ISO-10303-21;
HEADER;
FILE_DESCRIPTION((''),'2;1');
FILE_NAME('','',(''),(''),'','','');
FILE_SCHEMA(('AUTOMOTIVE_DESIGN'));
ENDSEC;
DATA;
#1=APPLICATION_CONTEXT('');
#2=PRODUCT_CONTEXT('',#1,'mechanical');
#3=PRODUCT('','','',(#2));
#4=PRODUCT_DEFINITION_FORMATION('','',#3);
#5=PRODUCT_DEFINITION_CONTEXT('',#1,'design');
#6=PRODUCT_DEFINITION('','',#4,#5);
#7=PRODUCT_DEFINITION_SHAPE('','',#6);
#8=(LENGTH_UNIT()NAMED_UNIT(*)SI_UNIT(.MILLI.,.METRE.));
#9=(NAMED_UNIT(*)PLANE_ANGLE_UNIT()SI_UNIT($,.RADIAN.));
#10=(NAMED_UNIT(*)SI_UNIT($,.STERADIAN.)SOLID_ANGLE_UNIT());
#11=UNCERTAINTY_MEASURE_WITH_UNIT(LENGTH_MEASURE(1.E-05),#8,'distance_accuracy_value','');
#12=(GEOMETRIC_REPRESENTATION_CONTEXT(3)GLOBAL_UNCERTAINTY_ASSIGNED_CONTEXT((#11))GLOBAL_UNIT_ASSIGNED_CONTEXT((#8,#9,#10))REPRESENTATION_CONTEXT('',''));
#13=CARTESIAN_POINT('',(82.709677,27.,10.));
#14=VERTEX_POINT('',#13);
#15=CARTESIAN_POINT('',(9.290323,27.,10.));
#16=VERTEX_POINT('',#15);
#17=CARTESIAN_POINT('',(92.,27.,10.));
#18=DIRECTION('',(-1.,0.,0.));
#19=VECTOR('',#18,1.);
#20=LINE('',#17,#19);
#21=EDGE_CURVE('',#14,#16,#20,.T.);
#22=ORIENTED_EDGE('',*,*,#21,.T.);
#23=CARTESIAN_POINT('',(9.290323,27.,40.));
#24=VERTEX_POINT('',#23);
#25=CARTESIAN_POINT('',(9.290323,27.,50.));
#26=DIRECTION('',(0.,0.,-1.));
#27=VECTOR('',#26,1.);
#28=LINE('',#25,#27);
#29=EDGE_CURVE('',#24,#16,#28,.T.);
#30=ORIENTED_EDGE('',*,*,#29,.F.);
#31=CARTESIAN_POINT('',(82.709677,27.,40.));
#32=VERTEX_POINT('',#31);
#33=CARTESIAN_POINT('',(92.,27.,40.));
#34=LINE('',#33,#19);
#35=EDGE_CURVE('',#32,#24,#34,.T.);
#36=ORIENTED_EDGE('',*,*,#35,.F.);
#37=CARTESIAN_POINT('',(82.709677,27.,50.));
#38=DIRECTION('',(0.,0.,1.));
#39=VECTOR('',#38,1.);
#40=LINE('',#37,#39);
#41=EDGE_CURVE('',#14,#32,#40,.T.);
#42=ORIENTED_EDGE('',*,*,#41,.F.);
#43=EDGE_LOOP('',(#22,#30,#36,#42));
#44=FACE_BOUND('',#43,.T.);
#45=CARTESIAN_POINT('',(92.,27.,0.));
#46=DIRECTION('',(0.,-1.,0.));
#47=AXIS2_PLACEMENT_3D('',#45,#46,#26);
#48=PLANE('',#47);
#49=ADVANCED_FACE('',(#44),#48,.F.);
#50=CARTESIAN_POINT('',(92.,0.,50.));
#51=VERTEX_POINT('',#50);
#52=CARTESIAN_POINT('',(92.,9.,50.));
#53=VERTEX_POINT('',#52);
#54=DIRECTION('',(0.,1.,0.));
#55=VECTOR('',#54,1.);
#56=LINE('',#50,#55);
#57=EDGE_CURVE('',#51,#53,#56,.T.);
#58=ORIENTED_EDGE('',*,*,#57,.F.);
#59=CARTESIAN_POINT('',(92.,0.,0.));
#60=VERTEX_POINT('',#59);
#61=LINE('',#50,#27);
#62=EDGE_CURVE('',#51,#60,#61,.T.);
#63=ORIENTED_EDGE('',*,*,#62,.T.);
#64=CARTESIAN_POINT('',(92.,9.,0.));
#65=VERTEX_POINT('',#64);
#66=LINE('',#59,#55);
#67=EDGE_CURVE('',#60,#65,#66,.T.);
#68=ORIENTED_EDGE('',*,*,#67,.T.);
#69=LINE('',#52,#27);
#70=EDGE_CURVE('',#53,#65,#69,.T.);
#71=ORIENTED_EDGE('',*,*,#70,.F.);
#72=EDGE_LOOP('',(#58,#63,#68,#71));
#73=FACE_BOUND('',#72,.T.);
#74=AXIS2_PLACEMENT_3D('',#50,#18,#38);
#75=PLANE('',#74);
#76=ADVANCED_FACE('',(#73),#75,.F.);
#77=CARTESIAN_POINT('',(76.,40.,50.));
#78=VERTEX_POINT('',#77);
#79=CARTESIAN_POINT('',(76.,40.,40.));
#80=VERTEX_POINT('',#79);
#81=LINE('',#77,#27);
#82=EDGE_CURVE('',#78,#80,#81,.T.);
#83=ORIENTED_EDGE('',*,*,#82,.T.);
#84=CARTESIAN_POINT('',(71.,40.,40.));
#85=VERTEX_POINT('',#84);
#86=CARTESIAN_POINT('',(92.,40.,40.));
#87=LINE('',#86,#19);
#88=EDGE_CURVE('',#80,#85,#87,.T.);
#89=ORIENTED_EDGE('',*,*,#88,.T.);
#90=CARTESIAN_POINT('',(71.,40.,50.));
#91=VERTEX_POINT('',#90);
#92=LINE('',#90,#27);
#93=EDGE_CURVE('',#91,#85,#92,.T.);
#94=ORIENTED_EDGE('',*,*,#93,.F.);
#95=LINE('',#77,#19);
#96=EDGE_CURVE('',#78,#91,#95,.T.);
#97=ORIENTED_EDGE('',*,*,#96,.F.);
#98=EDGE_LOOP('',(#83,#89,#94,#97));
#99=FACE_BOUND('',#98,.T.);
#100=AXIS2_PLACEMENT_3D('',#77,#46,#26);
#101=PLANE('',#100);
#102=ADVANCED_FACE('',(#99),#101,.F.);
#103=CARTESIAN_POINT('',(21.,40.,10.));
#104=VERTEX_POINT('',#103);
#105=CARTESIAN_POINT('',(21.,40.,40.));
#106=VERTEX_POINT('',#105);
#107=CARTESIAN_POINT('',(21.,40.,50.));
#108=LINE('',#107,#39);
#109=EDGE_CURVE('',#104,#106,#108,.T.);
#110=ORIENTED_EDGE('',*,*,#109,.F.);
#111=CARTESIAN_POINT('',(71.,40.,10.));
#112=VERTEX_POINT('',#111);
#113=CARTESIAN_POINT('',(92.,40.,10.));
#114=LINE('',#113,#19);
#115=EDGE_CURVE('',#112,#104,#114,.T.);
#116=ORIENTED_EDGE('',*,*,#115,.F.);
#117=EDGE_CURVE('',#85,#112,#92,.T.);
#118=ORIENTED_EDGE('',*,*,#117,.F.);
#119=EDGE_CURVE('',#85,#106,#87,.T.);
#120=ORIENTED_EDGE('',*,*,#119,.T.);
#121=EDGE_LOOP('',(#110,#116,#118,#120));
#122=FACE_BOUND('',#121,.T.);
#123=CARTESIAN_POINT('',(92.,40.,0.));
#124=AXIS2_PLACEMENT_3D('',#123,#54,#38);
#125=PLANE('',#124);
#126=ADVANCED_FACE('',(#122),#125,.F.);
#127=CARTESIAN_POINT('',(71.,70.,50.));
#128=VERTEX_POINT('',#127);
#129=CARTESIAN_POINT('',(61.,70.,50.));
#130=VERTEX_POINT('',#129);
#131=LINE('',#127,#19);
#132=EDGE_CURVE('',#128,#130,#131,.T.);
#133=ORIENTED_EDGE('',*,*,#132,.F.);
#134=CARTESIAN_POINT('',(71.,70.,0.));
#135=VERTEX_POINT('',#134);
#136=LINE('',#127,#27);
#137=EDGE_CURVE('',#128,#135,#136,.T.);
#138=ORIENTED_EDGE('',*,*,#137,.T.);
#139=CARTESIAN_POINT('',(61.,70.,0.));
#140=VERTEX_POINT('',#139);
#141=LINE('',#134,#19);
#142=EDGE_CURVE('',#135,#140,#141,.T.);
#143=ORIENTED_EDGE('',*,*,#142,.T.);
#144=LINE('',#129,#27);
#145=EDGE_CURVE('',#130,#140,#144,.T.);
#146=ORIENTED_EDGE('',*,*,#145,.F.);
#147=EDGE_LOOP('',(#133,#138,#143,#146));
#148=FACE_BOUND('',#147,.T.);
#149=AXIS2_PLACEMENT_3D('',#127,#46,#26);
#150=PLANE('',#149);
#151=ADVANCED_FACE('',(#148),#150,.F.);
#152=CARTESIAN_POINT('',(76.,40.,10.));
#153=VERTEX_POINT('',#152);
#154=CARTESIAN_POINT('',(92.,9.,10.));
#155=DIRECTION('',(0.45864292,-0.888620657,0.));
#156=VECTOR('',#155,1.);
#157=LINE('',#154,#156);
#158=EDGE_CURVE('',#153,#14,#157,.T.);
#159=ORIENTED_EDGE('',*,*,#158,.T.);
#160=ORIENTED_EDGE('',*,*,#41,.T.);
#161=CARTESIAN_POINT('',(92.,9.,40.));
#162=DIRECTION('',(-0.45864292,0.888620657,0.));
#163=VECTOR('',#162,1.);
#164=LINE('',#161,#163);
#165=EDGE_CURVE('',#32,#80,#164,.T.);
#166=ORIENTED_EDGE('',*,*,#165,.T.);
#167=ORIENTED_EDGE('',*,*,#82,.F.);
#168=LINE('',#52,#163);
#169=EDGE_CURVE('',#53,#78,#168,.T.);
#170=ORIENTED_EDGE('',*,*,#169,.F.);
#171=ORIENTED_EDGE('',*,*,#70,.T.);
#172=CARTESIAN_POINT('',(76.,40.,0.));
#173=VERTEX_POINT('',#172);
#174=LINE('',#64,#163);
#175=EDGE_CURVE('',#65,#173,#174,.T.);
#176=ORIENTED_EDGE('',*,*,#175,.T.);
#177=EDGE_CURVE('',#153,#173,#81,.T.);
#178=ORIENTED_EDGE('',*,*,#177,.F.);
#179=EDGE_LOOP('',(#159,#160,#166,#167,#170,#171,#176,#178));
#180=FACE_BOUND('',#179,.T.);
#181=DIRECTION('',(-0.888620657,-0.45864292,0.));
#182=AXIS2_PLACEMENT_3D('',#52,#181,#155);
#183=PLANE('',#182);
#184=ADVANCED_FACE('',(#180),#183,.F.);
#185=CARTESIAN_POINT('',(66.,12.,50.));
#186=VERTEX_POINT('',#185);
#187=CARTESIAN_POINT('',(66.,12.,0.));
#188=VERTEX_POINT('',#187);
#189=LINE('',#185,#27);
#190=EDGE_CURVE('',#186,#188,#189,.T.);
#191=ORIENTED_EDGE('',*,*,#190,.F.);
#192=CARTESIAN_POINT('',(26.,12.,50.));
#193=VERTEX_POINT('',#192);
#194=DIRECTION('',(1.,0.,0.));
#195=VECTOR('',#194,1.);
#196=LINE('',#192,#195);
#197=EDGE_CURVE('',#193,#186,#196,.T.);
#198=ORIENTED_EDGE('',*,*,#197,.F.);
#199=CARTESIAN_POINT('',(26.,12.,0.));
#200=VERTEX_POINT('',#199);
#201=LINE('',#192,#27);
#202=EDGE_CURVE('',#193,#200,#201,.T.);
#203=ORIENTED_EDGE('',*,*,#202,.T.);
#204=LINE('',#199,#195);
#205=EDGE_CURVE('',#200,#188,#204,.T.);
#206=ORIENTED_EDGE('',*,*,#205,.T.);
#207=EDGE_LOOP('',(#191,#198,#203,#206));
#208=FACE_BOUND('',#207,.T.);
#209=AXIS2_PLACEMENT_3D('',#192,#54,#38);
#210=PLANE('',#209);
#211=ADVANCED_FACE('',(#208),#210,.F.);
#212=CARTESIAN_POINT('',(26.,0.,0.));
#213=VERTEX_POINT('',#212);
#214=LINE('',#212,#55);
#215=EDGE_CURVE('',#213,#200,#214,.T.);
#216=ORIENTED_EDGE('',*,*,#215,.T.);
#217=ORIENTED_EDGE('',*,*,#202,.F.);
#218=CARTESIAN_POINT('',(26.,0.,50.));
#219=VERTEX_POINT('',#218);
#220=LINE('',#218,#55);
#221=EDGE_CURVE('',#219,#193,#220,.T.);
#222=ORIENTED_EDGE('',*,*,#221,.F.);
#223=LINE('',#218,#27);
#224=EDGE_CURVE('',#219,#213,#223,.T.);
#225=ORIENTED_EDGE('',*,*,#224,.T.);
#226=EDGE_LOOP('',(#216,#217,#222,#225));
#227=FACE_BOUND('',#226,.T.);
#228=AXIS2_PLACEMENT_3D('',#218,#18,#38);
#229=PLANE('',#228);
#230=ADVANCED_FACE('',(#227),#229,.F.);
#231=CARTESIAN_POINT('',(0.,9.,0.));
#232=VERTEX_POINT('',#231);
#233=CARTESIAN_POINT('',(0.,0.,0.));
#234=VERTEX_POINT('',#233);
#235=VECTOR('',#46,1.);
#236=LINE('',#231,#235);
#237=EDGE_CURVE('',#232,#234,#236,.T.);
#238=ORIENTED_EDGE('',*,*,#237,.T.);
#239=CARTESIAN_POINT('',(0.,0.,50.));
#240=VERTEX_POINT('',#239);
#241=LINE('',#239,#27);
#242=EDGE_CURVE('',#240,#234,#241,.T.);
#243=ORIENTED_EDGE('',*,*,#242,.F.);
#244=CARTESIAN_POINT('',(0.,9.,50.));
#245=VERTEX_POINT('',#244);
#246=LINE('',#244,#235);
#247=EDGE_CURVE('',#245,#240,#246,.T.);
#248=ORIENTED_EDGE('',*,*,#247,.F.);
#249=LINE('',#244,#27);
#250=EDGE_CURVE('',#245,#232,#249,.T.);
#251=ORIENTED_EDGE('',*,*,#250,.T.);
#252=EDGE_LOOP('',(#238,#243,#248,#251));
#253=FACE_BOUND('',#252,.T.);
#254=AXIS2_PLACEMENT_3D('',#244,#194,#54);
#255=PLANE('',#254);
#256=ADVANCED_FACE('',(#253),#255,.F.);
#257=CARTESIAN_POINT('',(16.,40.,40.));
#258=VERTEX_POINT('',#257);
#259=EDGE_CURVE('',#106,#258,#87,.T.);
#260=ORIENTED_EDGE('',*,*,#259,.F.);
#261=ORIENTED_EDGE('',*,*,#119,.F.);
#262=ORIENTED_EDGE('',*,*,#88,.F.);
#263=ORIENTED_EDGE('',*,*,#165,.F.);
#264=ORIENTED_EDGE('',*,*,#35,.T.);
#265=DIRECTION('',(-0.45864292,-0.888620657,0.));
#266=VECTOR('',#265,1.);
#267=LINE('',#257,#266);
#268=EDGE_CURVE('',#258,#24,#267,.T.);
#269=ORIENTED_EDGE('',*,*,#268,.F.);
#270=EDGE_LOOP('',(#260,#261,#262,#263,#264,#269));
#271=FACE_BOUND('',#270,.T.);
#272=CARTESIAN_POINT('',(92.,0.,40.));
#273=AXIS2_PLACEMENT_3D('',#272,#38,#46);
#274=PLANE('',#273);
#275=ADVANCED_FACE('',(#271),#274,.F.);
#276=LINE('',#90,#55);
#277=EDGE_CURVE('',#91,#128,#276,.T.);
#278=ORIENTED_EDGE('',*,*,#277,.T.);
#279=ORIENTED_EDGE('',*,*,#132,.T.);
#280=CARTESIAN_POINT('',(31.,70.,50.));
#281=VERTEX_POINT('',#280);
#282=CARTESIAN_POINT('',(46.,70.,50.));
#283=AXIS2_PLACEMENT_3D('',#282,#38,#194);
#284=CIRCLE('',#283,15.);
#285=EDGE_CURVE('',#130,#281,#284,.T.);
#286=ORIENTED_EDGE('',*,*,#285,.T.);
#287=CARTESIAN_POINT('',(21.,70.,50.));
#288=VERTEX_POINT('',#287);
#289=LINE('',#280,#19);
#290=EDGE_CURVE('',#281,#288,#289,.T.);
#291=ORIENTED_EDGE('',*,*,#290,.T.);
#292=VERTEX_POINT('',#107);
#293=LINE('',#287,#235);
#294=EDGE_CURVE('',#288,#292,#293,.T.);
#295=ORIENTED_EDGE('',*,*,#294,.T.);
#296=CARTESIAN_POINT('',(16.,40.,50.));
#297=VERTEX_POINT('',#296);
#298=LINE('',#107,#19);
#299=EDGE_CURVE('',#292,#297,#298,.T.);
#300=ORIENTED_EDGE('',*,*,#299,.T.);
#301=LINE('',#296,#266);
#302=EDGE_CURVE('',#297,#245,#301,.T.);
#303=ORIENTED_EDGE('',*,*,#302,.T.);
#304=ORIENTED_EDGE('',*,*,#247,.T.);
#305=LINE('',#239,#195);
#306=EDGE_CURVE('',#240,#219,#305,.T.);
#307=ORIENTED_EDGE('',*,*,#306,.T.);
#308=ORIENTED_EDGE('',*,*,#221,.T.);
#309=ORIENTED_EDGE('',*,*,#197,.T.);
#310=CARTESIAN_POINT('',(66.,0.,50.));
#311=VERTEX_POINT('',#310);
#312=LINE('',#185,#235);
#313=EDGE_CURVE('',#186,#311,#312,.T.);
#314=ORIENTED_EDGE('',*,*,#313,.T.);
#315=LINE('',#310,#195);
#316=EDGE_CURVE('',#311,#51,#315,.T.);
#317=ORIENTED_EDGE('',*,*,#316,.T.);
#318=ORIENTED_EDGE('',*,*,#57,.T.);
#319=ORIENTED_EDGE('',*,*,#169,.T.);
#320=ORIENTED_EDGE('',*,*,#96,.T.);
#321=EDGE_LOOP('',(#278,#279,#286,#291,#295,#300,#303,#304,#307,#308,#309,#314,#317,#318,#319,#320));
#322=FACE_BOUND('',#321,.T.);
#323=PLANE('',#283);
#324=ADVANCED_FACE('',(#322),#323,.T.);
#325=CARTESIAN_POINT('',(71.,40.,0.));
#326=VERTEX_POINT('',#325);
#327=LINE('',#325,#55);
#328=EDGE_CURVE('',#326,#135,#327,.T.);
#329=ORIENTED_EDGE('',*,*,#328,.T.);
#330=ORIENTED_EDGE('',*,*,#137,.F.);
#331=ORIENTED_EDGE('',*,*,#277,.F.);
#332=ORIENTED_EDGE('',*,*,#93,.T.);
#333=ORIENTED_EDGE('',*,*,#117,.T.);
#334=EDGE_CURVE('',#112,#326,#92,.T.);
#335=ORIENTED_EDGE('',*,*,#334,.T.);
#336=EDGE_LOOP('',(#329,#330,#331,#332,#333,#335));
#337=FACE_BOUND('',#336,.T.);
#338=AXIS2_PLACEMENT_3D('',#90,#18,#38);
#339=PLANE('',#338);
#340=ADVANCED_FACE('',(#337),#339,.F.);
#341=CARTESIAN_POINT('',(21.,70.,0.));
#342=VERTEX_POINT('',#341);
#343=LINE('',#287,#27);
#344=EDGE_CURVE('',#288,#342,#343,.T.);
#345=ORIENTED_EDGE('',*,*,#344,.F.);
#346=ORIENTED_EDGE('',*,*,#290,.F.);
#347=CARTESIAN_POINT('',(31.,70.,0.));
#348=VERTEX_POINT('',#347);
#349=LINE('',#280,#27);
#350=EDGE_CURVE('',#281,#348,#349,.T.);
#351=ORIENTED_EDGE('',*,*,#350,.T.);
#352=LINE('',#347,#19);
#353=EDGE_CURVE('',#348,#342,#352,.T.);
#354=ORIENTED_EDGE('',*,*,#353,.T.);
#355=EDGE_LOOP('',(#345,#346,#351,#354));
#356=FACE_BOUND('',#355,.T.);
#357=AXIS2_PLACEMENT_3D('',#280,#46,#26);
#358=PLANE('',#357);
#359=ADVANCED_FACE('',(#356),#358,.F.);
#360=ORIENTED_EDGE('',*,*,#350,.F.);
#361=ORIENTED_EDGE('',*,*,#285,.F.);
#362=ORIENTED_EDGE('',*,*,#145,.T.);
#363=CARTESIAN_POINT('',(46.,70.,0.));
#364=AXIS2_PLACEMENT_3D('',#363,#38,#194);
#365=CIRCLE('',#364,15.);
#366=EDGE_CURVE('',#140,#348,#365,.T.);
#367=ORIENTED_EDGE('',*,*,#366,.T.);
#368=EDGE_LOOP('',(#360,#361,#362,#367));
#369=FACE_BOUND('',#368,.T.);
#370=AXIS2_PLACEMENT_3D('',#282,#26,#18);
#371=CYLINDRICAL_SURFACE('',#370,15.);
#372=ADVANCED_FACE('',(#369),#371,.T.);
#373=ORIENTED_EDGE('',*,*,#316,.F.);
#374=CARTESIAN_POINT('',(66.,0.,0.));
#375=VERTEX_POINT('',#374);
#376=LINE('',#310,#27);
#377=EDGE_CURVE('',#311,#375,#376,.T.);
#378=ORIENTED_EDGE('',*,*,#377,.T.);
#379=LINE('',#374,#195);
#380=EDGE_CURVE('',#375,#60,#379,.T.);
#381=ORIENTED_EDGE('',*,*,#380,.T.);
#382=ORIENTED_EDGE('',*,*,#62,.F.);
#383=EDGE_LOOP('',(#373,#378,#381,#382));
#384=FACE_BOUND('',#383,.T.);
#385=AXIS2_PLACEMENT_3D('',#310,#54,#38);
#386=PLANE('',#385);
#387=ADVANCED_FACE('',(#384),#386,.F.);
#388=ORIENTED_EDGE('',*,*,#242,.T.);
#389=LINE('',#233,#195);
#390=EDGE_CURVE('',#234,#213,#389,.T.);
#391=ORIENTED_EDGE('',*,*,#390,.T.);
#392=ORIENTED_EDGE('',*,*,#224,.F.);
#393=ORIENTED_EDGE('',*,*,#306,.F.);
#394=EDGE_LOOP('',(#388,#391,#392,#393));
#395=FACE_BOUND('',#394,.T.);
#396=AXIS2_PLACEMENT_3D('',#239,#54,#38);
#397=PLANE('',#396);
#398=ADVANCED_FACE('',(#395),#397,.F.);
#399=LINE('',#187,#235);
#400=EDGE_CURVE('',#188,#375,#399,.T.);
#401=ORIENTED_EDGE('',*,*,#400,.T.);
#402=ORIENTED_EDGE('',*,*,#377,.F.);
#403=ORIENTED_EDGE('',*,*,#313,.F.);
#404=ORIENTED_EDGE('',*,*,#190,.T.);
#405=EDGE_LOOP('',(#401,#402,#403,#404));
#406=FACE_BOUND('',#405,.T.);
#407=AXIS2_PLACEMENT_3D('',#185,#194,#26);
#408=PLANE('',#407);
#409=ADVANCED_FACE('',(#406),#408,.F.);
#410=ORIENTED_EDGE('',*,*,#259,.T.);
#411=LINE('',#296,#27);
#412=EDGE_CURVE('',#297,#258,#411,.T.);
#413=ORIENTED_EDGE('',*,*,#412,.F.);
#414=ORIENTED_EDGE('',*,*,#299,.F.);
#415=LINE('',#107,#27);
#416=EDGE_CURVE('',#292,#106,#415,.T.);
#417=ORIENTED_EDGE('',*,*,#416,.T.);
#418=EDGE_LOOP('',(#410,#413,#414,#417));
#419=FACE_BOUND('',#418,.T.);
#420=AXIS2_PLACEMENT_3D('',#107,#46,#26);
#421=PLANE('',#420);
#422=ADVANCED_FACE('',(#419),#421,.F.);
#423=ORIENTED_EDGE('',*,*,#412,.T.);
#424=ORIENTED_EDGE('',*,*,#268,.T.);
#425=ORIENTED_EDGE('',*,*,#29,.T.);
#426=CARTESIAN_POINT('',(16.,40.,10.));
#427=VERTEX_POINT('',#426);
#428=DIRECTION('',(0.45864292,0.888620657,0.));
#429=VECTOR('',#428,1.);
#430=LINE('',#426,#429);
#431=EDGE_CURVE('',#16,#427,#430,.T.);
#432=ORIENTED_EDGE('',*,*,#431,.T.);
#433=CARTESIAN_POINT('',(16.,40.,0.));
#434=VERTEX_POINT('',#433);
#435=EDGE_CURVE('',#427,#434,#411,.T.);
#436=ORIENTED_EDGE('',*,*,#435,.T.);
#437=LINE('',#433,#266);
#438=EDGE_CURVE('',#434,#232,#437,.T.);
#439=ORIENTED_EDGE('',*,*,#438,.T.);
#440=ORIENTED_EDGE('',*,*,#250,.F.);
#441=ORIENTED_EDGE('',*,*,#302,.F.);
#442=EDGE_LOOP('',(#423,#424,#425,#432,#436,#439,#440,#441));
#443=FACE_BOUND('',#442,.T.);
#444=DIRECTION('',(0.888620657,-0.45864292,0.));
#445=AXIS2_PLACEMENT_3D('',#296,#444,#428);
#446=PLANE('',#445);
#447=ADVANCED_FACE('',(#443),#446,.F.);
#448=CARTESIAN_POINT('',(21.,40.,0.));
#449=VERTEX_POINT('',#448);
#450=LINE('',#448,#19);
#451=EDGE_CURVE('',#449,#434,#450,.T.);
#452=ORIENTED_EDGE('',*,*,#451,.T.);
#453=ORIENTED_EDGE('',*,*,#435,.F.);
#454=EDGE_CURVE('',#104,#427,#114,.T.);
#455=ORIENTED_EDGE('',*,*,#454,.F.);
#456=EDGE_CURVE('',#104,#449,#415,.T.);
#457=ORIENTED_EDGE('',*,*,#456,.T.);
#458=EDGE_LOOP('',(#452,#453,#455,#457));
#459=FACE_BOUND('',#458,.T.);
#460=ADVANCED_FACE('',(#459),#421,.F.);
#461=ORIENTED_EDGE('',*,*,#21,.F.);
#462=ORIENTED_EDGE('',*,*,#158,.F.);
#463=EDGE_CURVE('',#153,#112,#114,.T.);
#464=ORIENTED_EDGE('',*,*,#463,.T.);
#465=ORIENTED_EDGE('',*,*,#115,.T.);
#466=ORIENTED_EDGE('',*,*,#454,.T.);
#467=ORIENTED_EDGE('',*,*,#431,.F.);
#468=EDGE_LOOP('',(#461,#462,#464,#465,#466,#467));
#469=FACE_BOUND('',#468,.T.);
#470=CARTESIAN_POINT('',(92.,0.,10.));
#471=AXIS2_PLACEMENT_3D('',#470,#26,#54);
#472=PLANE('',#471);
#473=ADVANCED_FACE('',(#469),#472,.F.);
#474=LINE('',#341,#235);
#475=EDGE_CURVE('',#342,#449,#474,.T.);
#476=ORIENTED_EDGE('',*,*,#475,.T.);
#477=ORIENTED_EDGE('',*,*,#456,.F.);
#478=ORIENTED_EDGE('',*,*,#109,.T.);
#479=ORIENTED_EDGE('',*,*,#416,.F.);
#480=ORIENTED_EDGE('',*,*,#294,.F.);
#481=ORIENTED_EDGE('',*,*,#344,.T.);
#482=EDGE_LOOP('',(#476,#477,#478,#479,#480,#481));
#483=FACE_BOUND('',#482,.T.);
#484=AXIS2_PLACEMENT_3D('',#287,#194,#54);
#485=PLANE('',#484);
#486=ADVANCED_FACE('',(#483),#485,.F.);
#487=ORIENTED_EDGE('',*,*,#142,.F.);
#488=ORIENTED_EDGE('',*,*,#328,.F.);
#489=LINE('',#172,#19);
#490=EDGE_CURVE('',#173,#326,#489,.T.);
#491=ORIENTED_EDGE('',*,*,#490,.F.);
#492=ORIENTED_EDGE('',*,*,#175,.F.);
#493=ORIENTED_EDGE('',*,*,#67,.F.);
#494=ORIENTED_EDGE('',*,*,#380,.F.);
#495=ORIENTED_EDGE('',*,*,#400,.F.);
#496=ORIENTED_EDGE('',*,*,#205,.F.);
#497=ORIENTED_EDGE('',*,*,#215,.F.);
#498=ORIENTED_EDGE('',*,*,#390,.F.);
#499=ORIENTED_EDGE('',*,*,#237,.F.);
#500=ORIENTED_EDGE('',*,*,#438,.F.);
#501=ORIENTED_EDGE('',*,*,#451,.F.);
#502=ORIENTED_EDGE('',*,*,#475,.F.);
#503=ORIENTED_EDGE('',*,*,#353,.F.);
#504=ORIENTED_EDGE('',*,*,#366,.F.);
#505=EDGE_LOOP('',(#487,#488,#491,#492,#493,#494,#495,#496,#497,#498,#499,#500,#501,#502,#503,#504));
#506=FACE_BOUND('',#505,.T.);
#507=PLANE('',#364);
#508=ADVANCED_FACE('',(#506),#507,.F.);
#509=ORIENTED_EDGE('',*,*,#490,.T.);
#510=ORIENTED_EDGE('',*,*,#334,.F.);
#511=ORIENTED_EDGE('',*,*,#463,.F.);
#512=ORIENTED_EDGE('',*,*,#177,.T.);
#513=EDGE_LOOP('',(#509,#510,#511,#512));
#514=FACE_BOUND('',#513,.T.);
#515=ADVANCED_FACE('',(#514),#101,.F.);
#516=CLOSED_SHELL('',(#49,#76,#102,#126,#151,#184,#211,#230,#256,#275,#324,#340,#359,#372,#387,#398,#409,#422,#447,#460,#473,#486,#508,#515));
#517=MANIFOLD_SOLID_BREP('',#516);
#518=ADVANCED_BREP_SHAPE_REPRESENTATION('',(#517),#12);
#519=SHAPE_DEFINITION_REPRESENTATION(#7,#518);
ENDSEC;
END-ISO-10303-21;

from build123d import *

# Parameters (mm, degrees)
BOSS_EXTRUDE1_DEPTH = 50
SKETCH5_W           = 30
SKETCH5_H           = 13
CUT_EXTRUDE1_DEPTH  = 135.866600758


with BuildPart() as part:
    # Sketch1 → Boss-Extrude1 (new body)
    with BuildSketch(Plane.XY):
        with BuildLine():
            Line((0, 0), (26, 0))
            Line((26, 0), (26, 12))
            Line((26, 12), (66, 12))
            Line((66, 12), (66, 0))
            Line((66, 0), (92, 0))
            Line((92, 0), (92, 9))
            Line((92, 9), (76, 40))
            Line((76, 40), (71, 40))
            Line((71, 40), (71, 70))
            Line((71, 70), (61, 70))
            ThreePointArc((61, 70), (46, 85), (31, 70))
            Line((31, 70), (21, 70))
            Line((21, 70), (21, 40))
            Line((21, 40), (16, 40))
            Line((16, 40), (0, 9))
            Line((0, 9), (0, 0))
        make_face()
    extrude(amount=BOSS_EXTRUDE1_DEPTH)

    # Sketch5 → Cut-Extrude1 (cut, through all)
    with BuildSketch(Plane(origin=(0, 0, 0), x_dir=(0, 0, -1), z_dir=(1, 0, 0))):
        with Locations((-25, 33.5)):
            Rectangle(SKETCH5_W, SKETCH5_H)
    extrude(amount=CUT_EXTRUDE1_DEPTH, mode=Mode.SUBTRACT)


solid = part.part
